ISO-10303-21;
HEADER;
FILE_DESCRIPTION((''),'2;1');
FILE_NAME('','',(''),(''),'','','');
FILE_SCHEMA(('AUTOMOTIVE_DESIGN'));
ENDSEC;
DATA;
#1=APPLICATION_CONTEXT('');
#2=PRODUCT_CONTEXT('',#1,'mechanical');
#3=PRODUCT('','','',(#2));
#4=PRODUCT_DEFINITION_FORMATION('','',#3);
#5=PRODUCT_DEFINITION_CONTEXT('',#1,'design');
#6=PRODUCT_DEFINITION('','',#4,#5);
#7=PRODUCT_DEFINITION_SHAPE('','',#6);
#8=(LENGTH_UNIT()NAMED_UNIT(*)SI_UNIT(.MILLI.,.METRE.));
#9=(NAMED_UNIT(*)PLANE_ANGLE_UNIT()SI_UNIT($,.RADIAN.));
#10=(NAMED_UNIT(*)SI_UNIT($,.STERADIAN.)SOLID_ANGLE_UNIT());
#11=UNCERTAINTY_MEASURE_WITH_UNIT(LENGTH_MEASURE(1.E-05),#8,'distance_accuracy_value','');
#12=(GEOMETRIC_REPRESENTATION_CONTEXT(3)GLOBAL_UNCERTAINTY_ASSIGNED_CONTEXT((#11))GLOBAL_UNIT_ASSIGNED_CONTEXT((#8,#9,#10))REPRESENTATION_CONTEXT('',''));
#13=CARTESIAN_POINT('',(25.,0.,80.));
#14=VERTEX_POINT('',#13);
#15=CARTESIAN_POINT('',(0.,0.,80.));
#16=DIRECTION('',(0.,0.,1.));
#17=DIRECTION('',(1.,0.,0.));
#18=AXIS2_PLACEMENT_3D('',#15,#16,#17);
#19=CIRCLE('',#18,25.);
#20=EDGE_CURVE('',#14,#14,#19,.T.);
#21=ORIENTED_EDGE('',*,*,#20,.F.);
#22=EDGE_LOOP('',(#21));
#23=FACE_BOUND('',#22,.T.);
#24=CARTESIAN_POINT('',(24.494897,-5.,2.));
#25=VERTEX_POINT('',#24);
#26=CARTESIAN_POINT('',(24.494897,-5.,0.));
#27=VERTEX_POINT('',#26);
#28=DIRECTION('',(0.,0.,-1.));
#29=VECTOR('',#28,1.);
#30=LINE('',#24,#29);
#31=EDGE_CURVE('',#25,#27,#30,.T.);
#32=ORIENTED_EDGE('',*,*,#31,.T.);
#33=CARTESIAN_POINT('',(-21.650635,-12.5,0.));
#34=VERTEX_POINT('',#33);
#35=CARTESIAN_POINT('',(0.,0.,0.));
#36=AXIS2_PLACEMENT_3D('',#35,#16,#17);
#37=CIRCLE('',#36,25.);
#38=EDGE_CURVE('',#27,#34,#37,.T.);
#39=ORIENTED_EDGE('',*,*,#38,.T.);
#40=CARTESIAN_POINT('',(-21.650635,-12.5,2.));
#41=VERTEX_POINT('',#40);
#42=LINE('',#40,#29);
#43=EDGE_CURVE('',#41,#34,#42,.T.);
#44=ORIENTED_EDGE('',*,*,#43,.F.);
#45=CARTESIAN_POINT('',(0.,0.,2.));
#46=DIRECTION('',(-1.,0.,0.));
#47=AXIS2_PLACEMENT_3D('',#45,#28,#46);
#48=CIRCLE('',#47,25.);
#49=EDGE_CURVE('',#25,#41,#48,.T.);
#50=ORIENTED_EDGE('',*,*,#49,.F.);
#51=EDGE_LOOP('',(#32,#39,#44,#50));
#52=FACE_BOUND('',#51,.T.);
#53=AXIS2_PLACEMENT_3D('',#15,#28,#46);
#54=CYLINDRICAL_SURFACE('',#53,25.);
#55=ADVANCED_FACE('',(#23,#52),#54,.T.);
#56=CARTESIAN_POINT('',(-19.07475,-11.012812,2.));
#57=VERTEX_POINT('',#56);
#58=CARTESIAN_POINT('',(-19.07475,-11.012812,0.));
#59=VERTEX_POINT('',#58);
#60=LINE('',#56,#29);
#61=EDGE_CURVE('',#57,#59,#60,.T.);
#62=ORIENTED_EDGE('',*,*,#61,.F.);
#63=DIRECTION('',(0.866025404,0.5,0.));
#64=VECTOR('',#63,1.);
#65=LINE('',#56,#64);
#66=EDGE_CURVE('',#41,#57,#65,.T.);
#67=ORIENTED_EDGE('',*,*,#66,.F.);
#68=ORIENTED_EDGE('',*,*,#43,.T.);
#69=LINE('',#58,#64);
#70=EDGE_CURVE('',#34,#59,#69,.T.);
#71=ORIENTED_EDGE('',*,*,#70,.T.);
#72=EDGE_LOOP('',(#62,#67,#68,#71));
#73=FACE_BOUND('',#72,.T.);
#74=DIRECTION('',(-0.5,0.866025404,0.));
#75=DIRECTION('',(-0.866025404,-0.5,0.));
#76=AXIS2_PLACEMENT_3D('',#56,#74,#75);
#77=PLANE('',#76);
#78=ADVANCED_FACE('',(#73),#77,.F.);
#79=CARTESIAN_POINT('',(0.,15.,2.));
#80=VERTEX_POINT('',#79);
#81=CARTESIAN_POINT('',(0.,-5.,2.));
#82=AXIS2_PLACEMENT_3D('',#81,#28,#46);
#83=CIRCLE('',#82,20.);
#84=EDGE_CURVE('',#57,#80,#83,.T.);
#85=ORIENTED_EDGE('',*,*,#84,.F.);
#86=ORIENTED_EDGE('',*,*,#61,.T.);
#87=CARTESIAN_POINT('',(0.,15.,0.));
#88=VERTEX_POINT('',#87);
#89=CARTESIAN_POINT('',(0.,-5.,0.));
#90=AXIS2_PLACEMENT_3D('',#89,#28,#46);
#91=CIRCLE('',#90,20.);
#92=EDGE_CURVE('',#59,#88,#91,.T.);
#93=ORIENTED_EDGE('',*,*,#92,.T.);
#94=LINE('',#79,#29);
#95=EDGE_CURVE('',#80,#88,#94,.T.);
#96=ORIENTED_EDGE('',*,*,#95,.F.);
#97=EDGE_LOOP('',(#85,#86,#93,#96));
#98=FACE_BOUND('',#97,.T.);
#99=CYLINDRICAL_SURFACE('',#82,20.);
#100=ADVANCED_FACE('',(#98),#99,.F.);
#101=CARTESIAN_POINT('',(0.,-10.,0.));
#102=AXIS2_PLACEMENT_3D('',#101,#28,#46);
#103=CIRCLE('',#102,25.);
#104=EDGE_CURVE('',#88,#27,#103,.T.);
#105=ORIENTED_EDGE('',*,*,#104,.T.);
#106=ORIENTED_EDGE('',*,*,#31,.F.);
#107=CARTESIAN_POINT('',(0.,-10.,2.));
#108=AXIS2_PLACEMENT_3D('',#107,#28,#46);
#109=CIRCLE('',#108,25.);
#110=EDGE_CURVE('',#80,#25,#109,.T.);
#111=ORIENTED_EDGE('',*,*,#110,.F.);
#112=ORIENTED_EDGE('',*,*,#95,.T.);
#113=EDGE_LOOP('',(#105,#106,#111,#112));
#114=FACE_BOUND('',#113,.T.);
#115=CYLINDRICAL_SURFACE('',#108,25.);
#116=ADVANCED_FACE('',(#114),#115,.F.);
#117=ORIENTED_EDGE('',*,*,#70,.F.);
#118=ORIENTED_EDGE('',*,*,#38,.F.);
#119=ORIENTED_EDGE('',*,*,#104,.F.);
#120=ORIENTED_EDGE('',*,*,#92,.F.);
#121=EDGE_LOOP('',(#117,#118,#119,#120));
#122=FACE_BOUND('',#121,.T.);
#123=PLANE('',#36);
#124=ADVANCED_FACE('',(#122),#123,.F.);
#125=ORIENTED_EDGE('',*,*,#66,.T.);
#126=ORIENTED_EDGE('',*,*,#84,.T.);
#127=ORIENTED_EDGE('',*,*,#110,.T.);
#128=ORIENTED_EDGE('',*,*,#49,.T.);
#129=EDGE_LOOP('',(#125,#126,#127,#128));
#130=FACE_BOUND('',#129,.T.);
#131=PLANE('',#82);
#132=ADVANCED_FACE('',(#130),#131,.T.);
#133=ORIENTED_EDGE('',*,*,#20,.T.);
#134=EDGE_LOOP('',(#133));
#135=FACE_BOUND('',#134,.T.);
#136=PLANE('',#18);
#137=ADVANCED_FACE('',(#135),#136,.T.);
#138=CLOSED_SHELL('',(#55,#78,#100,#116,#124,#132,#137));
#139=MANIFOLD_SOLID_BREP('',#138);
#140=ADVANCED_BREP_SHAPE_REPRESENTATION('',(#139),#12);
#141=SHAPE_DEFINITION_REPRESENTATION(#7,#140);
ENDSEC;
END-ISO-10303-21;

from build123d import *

# Parameters (mm, degrees)
SKETCH_1_R          = 25
EXTRUDE_1_DEPTH     = 80
CUT_EXTRUDE_1_DEPTH = 2


with BuildPart() as part:
    # 草图1 → 凸台-拉伸1 (new body)
    with BuildSketch(Plane.XY):
        Circle(SKETCH_1_R)
    extrude(amount=EXTRUDE_1_DEPTH)

    # 草图2 → 切除-拉伸1 (cut)
    with BuildSketch(Plane(origin=(0, 0, 0), x_dir=(-1, 0, 0), z_dir=(0, 0, -1))):
        with BuildLine():
            Line((19.074750083, -11.012812095), (21.650635095, -12.5))
            ThreePointArc((21.650635095, -12.5), (-4.010605572, -24.676203982), (-24.494897428, -5))
            ThreePointArc((-24.494897428, -5), (-15.811388301, 9.364916731), (0, 15))
            ThreePointArc((0, 15), (16.128487869, 6.826744229), (19.074750083, -11.012812095))
        make_face()
    extrude(amount=-CUT_EXTRUDE_1_DEPTH, mode=Mode.SUBTRACT)


solid = part.part
